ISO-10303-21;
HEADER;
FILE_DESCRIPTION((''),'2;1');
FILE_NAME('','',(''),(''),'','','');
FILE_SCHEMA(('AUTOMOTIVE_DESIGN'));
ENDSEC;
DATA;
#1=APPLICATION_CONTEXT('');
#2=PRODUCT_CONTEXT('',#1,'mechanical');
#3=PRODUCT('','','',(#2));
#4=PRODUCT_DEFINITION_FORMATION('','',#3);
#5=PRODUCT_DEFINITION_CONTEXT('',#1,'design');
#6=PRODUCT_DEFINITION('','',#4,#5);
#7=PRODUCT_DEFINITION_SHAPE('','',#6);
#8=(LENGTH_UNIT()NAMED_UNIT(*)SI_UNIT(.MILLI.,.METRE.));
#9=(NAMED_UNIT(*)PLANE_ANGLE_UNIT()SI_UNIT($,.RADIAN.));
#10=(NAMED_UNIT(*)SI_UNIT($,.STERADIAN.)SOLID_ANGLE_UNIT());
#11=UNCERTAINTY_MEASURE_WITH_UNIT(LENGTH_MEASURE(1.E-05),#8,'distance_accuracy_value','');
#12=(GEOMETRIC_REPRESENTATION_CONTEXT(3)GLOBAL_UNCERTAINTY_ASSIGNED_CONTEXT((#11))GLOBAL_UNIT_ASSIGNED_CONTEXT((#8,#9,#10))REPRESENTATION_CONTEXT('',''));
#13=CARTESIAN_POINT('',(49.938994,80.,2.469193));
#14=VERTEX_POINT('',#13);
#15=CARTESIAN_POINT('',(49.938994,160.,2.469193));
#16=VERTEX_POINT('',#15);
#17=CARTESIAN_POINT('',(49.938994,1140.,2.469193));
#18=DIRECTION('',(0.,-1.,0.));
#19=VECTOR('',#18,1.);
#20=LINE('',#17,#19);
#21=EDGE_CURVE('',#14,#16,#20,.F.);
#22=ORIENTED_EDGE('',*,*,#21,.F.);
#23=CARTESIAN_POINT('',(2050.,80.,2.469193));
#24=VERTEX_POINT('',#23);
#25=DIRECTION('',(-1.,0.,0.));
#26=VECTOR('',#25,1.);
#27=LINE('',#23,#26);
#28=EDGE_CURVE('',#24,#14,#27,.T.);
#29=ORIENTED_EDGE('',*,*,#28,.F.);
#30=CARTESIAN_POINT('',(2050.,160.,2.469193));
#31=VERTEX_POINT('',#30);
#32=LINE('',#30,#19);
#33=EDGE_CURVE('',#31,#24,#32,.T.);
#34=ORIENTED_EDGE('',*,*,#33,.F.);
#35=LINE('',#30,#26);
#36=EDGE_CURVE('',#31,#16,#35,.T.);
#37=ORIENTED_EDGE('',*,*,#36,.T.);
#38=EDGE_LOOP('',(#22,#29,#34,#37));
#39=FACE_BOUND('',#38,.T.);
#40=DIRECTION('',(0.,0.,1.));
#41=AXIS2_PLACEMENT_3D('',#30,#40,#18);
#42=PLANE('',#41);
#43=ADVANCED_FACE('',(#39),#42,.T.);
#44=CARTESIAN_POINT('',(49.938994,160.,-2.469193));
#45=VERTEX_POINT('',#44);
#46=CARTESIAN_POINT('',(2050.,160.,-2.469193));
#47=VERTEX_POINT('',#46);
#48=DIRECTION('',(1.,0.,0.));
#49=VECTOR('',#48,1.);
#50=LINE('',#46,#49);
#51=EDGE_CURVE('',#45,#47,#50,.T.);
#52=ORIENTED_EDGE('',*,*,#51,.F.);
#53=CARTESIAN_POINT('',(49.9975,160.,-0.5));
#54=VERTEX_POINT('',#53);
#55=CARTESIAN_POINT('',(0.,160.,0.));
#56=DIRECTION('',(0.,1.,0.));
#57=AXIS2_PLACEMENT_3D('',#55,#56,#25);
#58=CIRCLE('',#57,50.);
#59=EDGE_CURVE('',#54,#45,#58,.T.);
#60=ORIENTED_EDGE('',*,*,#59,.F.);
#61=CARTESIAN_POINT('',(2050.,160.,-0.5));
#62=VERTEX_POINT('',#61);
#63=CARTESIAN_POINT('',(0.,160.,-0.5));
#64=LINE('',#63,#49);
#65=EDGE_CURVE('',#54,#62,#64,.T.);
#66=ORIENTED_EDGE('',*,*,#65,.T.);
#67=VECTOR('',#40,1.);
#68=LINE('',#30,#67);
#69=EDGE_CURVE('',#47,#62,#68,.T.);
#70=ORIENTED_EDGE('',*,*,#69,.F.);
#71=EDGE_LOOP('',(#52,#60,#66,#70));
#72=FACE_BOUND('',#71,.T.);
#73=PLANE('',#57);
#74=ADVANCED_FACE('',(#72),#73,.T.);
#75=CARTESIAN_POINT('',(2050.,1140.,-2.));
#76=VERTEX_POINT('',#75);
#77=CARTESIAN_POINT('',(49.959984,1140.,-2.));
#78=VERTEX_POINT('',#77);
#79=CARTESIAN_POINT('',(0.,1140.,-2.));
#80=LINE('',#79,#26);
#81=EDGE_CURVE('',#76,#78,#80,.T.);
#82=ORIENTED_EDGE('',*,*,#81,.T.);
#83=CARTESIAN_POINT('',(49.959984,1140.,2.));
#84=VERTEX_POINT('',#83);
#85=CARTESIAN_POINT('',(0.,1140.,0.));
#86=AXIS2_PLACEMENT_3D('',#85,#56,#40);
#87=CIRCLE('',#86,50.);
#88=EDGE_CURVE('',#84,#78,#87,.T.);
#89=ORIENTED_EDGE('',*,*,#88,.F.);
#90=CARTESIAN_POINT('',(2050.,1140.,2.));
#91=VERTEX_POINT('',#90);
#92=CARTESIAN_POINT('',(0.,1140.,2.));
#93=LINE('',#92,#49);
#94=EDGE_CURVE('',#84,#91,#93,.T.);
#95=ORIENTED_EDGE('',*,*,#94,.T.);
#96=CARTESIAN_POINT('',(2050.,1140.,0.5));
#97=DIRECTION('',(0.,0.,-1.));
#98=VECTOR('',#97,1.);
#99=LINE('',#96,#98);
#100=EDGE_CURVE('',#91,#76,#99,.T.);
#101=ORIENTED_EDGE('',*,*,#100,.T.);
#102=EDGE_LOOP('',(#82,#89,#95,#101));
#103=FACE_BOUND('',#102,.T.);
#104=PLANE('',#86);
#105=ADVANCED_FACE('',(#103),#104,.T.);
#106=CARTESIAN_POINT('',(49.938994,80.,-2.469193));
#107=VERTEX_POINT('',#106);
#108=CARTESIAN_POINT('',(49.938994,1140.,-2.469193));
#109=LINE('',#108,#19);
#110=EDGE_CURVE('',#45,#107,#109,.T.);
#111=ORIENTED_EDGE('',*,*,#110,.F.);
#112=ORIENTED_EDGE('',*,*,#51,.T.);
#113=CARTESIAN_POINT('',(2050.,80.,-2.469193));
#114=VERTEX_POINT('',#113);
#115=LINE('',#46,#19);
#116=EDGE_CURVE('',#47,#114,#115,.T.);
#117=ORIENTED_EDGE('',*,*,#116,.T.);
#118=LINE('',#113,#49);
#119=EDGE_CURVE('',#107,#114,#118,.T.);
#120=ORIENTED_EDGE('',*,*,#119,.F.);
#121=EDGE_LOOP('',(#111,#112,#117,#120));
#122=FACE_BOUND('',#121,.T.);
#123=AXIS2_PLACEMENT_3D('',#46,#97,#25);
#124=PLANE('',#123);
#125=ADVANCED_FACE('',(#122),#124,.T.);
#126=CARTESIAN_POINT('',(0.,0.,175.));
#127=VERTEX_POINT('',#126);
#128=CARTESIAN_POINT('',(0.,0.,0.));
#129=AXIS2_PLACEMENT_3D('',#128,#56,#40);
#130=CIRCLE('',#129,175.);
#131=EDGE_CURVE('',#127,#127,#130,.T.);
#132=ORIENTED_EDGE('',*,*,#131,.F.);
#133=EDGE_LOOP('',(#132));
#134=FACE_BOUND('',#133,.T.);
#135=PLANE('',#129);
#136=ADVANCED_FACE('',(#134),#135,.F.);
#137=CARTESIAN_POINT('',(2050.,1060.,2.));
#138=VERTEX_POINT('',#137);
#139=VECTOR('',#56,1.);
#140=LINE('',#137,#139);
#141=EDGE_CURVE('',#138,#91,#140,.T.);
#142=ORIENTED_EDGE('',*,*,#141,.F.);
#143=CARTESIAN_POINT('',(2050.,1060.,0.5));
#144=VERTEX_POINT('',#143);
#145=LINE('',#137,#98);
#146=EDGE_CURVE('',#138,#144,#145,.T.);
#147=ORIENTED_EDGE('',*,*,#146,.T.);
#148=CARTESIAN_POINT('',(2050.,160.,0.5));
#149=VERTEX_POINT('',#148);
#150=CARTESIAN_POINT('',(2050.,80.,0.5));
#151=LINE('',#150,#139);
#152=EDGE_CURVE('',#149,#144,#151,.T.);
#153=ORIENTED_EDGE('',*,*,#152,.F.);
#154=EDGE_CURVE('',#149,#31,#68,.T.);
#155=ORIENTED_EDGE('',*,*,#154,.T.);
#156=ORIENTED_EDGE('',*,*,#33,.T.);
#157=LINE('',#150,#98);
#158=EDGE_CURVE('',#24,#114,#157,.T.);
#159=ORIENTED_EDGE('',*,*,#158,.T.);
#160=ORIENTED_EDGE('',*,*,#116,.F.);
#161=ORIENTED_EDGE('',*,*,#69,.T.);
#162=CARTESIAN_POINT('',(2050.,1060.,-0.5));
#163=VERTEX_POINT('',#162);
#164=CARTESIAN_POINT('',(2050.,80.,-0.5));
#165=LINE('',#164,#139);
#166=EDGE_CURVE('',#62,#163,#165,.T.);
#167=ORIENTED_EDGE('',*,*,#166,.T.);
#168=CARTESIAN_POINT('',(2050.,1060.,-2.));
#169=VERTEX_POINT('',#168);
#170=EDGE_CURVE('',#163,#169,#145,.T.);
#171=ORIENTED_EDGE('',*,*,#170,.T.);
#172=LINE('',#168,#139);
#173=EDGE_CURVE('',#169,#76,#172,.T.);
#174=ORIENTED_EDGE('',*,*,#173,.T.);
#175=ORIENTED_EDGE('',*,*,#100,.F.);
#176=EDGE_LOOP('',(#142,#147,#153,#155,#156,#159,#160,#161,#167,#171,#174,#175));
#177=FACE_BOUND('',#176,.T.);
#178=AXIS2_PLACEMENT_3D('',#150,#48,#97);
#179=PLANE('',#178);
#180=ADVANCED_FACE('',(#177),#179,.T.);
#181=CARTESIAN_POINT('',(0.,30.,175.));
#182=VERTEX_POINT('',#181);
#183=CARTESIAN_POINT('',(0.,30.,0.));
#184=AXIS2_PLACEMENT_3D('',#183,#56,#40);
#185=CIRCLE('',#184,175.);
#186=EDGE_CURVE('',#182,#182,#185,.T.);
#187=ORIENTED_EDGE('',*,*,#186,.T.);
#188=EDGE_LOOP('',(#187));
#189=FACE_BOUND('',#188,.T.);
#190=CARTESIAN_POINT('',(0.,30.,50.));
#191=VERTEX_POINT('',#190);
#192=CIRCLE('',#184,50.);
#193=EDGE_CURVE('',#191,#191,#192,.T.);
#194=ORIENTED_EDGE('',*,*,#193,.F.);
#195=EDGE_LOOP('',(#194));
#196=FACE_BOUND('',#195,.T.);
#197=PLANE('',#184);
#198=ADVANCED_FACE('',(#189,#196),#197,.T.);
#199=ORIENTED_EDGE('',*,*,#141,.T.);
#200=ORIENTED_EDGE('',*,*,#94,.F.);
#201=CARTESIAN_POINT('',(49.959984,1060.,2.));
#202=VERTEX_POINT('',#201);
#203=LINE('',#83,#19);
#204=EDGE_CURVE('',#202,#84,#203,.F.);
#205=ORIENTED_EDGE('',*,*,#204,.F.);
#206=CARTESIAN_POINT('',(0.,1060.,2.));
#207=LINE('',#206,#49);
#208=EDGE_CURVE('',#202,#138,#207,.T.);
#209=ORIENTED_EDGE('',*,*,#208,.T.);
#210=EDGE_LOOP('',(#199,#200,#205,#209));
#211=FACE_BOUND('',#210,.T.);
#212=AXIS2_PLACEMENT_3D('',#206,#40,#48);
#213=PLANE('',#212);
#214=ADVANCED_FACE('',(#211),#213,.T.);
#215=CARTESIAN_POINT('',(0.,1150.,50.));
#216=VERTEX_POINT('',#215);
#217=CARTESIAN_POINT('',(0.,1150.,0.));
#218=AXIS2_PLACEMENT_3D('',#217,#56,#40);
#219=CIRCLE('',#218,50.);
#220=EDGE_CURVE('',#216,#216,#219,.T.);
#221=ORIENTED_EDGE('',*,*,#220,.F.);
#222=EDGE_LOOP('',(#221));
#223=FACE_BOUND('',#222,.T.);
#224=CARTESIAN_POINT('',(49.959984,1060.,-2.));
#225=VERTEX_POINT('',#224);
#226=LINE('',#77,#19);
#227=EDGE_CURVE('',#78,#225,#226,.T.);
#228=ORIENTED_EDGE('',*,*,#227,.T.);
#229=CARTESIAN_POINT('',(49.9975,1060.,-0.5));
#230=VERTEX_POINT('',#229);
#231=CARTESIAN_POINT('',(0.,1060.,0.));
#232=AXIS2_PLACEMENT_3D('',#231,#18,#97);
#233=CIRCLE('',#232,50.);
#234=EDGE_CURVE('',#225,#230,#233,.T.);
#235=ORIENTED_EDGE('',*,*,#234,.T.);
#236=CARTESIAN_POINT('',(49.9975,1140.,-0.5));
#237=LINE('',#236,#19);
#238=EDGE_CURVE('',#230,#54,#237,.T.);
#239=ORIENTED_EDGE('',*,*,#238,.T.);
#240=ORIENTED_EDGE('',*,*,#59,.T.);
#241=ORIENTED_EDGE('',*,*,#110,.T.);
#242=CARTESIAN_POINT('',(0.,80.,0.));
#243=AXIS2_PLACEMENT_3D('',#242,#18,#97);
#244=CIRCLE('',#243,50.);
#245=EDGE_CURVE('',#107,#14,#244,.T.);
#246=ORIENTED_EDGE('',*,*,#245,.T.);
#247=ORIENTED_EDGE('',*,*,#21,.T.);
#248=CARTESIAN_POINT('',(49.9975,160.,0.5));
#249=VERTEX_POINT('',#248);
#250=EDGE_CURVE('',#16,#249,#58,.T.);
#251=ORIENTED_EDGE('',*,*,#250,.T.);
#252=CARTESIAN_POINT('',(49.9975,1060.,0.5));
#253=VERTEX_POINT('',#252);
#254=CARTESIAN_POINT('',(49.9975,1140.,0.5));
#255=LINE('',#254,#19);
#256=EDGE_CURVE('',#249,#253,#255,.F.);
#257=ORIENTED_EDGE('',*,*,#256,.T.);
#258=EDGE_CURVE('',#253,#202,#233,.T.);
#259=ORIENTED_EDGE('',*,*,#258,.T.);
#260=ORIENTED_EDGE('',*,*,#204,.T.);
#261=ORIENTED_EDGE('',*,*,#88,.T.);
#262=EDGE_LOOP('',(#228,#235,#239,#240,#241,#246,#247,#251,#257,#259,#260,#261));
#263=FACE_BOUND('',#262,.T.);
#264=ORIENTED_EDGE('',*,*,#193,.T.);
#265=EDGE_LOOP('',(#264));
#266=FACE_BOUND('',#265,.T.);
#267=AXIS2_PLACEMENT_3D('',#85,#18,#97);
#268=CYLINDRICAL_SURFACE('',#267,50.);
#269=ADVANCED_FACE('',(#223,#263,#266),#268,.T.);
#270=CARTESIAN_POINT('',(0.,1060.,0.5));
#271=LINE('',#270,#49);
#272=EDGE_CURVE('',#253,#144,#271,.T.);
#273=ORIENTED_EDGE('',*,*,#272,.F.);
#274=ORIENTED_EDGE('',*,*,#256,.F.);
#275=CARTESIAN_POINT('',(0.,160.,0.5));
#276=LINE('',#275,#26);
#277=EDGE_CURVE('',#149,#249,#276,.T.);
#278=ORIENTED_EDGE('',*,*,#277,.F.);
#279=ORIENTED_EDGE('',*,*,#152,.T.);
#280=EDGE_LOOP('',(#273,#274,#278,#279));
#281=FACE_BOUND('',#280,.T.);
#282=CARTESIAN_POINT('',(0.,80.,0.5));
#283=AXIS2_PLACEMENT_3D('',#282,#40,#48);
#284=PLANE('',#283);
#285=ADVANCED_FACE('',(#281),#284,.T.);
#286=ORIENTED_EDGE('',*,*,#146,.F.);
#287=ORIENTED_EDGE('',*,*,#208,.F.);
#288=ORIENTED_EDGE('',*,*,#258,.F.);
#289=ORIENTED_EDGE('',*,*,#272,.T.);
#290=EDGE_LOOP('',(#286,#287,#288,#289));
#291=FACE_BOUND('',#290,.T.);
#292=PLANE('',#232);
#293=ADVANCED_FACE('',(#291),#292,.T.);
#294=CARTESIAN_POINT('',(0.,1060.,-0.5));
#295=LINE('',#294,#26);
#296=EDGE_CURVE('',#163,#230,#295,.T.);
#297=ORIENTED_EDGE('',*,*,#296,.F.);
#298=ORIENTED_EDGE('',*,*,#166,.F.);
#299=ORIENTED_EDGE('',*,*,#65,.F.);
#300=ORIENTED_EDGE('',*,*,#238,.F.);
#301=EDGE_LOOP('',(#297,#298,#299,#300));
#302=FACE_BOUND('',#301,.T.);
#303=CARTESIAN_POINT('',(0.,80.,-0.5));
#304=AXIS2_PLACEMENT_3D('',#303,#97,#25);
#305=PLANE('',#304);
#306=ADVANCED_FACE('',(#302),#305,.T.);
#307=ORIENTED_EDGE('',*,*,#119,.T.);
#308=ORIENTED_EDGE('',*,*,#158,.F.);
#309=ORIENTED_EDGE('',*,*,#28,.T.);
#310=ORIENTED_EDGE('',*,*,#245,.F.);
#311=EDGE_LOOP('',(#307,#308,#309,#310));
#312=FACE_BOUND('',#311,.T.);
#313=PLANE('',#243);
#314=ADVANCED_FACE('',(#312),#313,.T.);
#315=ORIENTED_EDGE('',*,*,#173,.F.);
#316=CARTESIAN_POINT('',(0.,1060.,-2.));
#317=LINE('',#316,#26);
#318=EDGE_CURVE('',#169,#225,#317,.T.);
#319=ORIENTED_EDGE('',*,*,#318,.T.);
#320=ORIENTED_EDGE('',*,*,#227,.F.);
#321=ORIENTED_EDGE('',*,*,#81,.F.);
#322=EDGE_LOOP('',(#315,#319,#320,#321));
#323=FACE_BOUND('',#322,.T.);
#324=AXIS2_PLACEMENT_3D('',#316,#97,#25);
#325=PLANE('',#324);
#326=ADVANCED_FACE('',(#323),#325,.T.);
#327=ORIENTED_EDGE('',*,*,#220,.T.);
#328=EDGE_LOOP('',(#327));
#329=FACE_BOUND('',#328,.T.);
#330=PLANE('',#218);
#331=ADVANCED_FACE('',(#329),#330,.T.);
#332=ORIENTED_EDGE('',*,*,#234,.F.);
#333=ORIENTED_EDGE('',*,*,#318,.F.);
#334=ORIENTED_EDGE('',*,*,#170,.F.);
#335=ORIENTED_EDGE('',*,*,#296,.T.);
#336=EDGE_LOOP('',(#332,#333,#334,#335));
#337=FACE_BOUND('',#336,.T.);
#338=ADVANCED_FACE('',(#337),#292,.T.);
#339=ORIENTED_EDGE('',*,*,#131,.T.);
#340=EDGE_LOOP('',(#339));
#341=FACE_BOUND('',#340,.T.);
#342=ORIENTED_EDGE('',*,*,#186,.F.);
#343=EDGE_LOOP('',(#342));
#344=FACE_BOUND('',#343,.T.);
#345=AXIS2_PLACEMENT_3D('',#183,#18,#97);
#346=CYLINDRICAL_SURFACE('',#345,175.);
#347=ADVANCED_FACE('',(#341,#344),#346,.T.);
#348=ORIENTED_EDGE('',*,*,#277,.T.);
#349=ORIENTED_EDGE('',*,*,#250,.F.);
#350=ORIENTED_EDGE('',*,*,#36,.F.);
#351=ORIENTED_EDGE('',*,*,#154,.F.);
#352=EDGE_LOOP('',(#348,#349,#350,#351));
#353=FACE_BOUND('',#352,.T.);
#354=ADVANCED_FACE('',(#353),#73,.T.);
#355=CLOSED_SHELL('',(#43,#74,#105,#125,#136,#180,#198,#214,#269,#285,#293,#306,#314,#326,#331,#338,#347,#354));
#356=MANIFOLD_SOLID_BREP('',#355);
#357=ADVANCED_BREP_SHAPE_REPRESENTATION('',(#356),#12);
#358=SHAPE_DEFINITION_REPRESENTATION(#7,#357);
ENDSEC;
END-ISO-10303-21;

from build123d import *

# Parameters (mm, degrees)
SKETCH2_R           = 175
BOSS_EXTRUDE1_DEPTH = 30
SKETCH3_R           = 50
BOSS_EXTRUDE2_DEPTH = 1110
SKETCH7_W           = 2050
SKETCH7_H           = 1
BOSS_EXTRUDE3_DEPTH = 1060
SKETCH8_W           = 2050
SKETCH8_H           = 4
BOSS_EXTRUDE4_DEPTH = 80
SKETCH11_W          = 2050
SKETCH11_H          = 4.938385514
BOSS_EXTRUDE5_DEPTH = 80
SKETCH12_R          = 50
BOSS_EXTRUDE6_DEPTH = 10


with BuildPart() as part:
    # Sketch2 → Boss-Extrude1 (new body)
    with BuildSketch(Plane(origin=(0, 0, 0), x_dir=(1, 0, 0), z_dir=(0, 1, 0))):
        with Locations(Location((0, 0, 0), (0, 0, 270))):
            Circle(SKETCH2_R)
    extrude(amount=BOSS_EXTRUDE1_DEPTH)

    # Sketch3 → Boss-Extrude2 (add)
    with BuildSketch(Plane(origin=(0, 30, 0), x_dir=(1, 0, 0), z_dir=(0, 1, 0))):
        with Locations(Location((0, 0, 0), (0, 0, 270))):
            Circle(SKETCH3_R)
    extrude(amount=BOSS_EXTRUDE2_DEPTH)

    # Sketch7 → Boss-Extrude3 (add)
    with BuildSketch(Plane(origin=(0, 1140, 0), x_dir=(1, 0, 0), z_dir=(0, 1, 0))):
        with Locations((1025, 0)):
            Rectangle(SKETCH7_W, SKETCH7_H)
    extrude(amount=-BOSS_EXTRUDE3_DEPTH)

    # Sketch8 → Boss-Extrude4 (add)
    with BuildSketch(Plane(origin=(0, 1140, 0), x_dir=(1, 0, 0), z_dir=(0, 1, 0))):
        with Locations((1025, 0)):
            Rectangle(SKETCH8_W, SKETCH8_H)
    extrude(amount=-BOSS_EXTRUDE4_DEPTH)

    # Sketch11 → Boss-Extrude5 (add)
    with BuildSketch(Plane(origin=(0, 80, 0), x_dir=(-1, 0, 0), z_dir=(0, -1, 0))):
        with Locations((-1025, 0)):
            Rectangle(SKETCH11_W, SKETCH11_H)
    extrude(amount=-BOSS_EXTRUDE5_DEPTH)

    # Sketch12 → Boss-Extrude6 (add)
    with BuildSketch(Plane(origin=(0, 1140, 0), x_dir=(1, 0, 0), z_dir=(0, 1, 0))):
        with Locations(Location((0, 0, 0), (0, 0, 270))):
            Circle(SKETCH12_R)
    extrude(amount=BOSS_EXTRUDE6_DEPTH)


solid = part.part
